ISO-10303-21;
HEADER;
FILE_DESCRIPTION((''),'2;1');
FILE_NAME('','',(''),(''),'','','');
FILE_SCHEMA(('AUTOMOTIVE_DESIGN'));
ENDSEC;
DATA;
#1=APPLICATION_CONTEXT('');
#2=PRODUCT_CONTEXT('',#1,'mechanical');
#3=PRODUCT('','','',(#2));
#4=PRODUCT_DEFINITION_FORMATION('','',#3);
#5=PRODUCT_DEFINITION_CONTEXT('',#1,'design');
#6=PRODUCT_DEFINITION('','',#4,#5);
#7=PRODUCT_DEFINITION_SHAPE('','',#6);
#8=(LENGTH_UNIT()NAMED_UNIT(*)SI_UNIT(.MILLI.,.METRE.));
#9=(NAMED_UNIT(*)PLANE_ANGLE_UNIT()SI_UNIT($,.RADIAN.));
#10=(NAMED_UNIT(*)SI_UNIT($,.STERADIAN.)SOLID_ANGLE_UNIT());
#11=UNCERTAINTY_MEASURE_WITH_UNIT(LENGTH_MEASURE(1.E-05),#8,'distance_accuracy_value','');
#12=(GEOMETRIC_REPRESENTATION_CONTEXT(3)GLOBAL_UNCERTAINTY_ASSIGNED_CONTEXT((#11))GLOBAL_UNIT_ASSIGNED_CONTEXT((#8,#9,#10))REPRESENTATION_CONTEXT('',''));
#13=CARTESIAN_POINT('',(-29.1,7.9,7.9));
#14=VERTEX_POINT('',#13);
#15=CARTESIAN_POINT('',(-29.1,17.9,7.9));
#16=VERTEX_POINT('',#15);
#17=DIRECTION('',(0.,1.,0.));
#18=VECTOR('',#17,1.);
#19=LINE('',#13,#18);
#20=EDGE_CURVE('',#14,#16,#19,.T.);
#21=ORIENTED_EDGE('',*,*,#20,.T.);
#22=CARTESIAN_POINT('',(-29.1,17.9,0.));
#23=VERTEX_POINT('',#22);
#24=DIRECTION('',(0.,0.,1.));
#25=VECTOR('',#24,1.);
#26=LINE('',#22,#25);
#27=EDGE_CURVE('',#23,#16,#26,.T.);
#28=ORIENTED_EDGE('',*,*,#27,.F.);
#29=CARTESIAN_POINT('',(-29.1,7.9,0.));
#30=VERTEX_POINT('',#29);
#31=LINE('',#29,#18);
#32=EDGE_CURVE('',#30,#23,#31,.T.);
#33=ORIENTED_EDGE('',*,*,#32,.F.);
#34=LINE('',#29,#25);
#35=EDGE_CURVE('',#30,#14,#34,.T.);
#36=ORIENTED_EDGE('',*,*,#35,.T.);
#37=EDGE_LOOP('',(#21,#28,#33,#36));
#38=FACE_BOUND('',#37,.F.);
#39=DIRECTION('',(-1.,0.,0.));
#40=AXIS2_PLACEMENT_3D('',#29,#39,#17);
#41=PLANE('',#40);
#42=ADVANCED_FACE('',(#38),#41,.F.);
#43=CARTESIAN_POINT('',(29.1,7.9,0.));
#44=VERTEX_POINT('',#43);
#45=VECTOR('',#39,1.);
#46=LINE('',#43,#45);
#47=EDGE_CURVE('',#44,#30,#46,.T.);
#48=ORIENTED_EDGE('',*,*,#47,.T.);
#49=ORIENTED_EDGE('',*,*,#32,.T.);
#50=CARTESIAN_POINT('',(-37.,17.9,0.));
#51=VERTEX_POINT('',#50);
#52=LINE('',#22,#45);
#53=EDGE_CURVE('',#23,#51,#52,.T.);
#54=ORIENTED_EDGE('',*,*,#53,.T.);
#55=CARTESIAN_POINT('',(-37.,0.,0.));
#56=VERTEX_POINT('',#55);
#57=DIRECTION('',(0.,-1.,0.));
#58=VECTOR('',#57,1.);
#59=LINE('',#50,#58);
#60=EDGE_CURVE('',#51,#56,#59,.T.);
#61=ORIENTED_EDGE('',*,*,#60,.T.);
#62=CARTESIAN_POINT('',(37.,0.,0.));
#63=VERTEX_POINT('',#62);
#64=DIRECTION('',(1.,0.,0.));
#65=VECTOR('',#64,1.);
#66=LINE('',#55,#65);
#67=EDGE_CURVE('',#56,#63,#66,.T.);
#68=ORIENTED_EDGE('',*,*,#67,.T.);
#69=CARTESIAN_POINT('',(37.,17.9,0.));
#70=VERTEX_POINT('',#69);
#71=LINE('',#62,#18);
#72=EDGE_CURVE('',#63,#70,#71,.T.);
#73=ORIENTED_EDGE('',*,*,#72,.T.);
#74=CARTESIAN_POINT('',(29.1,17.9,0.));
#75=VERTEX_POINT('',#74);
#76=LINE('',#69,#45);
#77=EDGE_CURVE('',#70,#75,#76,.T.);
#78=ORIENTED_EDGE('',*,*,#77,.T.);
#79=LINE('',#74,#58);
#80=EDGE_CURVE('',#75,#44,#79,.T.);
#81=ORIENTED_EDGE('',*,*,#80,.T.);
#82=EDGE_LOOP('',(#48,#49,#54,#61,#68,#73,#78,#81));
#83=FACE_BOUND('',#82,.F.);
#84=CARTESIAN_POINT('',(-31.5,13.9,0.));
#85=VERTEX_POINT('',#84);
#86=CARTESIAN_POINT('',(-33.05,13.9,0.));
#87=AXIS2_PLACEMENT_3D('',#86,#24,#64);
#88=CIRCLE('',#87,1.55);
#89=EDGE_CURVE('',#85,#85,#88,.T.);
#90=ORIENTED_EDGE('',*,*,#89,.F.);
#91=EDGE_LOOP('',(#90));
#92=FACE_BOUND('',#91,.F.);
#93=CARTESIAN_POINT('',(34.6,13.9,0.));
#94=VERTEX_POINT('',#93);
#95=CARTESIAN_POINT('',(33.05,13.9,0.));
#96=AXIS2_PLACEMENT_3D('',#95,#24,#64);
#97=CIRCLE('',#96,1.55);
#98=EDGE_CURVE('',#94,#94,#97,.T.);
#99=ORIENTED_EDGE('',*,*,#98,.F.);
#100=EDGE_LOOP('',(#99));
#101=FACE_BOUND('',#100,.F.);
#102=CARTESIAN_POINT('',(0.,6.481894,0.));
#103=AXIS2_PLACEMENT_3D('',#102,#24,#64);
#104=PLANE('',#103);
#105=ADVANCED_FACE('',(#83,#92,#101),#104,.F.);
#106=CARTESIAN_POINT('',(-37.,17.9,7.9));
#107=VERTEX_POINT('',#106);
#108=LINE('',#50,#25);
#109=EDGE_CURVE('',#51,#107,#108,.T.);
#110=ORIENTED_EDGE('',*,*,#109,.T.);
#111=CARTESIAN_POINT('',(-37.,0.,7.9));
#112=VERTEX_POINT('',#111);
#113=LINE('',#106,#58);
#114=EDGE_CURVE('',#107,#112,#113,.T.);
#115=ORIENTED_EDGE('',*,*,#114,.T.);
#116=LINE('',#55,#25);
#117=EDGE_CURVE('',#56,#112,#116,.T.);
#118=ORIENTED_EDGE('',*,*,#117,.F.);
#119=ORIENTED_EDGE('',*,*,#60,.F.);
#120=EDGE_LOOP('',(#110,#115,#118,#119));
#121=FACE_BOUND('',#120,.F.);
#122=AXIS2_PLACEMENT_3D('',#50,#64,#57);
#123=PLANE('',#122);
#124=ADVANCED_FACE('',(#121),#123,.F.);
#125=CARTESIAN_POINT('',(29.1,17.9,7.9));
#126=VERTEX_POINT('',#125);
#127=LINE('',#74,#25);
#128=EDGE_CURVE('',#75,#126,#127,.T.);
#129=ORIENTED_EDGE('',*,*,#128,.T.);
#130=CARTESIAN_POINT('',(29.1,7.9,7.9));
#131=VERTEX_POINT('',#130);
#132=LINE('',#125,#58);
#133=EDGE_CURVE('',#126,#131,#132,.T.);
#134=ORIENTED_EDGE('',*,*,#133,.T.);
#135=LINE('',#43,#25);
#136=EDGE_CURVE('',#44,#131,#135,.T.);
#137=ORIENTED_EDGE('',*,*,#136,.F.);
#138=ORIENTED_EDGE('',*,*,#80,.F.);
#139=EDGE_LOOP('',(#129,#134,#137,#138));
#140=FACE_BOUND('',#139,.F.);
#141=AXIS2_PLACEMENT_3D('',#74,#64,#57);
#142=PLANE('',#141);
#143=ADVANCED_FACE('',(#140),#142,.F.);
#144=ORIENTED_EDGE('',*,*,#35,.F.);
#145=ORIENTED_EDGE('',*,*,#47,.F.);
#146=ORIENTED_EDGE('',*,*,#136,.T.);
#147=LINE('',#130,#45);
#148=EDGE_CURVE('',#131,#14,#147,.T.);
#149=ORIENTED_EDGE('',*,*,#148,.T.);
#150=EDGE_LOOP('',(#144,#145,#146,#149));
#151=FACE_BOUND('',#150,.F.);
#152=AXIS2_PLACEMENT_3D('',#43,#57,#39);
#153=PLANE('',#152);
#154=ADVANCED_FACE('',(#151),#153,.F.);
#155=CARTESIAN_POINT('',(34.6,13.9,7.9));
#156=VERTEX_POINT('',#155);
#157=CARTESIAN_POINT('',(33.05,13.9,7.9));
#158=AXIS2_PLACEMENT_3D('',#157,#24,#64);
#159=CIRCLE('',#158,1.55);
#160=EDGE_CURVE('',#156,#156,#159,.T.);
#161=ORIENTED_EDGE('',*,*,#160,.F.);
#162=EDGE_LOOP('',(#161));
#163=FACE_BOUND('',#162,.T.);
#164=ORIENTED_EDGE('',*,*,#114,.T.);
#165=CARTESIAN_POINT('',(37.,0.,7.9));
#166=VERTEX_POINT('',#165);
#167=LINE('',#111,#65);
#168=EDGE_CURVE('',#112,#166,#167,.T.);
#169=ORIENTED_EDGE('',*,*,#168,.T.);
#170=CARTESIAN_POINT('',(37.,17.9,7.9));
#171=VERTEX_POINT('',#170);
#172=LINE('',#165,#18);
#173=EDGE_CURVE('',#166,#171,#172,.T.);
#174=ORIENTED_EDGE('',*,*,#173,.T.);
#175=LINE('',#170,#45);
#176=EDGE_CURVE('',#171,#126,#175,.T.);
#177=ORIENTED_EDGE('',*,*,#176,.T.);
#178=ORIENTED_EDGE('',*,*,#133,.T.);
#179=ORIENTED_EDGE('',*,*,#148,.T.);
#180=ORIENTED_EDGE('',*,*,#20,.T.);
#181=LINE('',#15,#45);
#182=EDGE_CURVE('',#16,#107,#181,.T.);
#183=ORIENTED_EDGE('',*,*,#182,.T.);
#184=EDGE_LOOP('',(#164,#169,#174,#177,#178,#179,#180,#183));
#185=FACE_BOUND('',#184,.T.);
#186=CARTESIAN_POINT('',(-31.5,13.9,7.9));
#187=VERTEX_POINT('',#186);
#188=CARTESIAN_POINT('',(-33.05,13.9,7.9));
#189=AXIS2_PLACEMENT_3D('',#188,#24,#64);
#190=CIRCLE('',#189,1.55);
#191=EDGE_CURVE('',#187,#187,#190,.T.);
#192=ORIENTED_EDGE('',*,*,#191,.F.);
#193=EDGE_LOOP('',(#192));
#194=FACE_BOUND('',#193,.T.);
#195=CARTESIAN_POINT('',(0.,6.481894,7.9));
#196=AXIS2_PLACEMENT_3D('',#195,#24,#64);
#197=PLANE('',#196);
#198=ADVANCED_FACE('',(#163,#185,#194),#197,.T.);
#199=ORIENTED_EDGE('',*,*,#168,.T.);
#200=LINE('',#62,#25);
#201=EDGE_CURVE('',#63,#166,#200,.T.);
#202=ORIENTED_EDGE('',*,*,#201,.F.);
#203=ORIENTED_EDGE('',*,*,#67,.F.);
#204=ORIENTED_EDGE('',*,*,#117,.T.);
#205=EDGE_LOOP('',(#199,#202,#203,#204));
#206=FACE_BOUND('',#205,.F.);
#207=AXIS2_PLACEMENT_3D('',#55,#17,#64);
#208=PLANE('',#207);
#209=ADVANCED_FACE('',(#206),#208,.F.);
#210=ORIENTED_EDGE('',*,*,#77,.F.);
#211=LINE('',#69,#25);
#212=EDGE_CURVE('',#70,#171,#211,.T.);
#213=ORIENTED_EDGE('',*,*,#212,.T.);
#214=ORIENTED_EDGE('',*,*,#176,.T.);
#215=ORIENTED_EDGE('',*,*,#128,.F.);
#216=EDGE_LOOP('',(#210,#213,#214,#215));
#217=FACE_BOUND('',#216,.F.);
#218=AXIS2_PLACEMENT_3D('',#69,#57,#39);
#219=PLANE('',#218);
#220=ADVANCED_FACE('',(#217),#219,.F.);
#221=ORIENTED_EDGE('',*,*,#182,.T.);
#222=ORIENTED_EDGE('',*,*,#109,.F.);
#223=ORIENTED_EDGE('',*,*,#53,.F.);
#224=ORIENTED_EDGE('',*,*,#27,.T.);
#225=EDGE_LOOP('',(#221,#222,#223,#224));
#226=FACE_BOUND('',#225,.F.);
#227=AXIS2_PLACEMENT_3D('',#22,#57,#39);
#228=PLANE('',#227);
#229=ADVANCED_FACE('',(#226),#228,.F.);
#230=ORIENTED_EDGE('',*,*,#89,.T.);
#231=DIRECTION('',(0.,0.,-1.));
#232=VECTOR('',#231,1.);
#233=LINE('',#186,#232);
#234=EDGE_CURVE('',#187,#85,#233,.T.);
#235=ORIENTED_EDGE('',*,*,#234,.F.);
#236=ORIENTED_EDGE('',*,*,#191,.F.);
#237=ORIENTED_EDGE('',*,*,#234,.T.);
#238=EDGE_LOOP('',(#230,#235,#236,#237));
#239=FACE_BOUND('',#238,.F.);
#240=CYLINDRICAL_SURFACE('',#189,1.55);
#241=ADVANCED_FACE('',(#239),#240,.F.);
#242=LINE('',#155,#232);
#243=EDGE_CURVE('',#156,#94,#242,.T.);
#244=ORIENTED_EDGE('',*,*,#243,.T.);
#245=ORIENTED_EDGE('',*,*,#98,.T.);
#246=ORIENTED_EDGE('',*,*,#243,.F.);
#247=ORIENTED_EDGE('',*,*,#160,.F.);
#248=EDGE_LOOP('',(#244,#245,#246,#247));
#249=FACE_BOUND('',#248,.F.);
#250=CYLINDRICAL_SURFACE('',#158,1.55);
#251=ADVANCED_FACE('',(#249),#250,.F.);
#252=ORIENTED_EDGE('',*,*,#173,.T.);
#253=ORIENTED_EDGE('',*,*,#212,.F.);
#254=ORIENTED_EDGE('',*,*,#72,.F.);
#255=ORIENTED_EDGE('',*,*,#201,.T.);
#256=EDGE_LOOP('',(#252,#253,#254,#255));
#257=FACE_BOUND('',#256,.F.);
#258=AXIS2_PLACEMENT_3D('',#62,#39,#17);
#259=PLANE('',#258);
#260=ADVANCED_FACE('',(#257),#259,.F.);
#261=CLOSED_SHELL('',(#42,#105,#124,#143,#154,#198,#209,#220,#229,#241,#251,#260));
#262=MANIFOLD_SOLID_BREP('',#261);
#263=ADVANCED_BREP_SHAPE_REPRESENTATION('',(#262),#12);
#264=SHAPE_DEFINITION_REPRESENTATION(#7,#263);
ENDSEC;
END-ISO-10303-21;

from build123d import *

# Parameters (mm, degrees)
PAD_DEPTH    = 7.9
SKETCH001_R  = 1.55
POCKET_DEPTH = 7.901


with BuildPart() as part:
    # Sketch → Pad (new body)
    with BuildSketch(Plane.XY):
        Polygon((-37, 17.9), (-37, 0), (37, 0), (37, 17.9), (29.1, 17.9), (29.1, 7.9), (-29.1, 7.9), (-29.1, 17.9), align=None)
    extrude(amount=PAD_DEPTH)

    # Sketch001 (on Face10 of Pad) → Pocket (cut, through all)
    with BuildSketch(Plane.XY.offset(7.9)):
        with Locations((33.05, 13.9)):
            Circle(SKETCH001_R)
        with Locations((-33.05, 13.9)):
            Circle(SKETCH001_R)
    extrude(amount=-POCKET_DEPTH, mode=Mode.SUBTRACT)


solid = part.part
